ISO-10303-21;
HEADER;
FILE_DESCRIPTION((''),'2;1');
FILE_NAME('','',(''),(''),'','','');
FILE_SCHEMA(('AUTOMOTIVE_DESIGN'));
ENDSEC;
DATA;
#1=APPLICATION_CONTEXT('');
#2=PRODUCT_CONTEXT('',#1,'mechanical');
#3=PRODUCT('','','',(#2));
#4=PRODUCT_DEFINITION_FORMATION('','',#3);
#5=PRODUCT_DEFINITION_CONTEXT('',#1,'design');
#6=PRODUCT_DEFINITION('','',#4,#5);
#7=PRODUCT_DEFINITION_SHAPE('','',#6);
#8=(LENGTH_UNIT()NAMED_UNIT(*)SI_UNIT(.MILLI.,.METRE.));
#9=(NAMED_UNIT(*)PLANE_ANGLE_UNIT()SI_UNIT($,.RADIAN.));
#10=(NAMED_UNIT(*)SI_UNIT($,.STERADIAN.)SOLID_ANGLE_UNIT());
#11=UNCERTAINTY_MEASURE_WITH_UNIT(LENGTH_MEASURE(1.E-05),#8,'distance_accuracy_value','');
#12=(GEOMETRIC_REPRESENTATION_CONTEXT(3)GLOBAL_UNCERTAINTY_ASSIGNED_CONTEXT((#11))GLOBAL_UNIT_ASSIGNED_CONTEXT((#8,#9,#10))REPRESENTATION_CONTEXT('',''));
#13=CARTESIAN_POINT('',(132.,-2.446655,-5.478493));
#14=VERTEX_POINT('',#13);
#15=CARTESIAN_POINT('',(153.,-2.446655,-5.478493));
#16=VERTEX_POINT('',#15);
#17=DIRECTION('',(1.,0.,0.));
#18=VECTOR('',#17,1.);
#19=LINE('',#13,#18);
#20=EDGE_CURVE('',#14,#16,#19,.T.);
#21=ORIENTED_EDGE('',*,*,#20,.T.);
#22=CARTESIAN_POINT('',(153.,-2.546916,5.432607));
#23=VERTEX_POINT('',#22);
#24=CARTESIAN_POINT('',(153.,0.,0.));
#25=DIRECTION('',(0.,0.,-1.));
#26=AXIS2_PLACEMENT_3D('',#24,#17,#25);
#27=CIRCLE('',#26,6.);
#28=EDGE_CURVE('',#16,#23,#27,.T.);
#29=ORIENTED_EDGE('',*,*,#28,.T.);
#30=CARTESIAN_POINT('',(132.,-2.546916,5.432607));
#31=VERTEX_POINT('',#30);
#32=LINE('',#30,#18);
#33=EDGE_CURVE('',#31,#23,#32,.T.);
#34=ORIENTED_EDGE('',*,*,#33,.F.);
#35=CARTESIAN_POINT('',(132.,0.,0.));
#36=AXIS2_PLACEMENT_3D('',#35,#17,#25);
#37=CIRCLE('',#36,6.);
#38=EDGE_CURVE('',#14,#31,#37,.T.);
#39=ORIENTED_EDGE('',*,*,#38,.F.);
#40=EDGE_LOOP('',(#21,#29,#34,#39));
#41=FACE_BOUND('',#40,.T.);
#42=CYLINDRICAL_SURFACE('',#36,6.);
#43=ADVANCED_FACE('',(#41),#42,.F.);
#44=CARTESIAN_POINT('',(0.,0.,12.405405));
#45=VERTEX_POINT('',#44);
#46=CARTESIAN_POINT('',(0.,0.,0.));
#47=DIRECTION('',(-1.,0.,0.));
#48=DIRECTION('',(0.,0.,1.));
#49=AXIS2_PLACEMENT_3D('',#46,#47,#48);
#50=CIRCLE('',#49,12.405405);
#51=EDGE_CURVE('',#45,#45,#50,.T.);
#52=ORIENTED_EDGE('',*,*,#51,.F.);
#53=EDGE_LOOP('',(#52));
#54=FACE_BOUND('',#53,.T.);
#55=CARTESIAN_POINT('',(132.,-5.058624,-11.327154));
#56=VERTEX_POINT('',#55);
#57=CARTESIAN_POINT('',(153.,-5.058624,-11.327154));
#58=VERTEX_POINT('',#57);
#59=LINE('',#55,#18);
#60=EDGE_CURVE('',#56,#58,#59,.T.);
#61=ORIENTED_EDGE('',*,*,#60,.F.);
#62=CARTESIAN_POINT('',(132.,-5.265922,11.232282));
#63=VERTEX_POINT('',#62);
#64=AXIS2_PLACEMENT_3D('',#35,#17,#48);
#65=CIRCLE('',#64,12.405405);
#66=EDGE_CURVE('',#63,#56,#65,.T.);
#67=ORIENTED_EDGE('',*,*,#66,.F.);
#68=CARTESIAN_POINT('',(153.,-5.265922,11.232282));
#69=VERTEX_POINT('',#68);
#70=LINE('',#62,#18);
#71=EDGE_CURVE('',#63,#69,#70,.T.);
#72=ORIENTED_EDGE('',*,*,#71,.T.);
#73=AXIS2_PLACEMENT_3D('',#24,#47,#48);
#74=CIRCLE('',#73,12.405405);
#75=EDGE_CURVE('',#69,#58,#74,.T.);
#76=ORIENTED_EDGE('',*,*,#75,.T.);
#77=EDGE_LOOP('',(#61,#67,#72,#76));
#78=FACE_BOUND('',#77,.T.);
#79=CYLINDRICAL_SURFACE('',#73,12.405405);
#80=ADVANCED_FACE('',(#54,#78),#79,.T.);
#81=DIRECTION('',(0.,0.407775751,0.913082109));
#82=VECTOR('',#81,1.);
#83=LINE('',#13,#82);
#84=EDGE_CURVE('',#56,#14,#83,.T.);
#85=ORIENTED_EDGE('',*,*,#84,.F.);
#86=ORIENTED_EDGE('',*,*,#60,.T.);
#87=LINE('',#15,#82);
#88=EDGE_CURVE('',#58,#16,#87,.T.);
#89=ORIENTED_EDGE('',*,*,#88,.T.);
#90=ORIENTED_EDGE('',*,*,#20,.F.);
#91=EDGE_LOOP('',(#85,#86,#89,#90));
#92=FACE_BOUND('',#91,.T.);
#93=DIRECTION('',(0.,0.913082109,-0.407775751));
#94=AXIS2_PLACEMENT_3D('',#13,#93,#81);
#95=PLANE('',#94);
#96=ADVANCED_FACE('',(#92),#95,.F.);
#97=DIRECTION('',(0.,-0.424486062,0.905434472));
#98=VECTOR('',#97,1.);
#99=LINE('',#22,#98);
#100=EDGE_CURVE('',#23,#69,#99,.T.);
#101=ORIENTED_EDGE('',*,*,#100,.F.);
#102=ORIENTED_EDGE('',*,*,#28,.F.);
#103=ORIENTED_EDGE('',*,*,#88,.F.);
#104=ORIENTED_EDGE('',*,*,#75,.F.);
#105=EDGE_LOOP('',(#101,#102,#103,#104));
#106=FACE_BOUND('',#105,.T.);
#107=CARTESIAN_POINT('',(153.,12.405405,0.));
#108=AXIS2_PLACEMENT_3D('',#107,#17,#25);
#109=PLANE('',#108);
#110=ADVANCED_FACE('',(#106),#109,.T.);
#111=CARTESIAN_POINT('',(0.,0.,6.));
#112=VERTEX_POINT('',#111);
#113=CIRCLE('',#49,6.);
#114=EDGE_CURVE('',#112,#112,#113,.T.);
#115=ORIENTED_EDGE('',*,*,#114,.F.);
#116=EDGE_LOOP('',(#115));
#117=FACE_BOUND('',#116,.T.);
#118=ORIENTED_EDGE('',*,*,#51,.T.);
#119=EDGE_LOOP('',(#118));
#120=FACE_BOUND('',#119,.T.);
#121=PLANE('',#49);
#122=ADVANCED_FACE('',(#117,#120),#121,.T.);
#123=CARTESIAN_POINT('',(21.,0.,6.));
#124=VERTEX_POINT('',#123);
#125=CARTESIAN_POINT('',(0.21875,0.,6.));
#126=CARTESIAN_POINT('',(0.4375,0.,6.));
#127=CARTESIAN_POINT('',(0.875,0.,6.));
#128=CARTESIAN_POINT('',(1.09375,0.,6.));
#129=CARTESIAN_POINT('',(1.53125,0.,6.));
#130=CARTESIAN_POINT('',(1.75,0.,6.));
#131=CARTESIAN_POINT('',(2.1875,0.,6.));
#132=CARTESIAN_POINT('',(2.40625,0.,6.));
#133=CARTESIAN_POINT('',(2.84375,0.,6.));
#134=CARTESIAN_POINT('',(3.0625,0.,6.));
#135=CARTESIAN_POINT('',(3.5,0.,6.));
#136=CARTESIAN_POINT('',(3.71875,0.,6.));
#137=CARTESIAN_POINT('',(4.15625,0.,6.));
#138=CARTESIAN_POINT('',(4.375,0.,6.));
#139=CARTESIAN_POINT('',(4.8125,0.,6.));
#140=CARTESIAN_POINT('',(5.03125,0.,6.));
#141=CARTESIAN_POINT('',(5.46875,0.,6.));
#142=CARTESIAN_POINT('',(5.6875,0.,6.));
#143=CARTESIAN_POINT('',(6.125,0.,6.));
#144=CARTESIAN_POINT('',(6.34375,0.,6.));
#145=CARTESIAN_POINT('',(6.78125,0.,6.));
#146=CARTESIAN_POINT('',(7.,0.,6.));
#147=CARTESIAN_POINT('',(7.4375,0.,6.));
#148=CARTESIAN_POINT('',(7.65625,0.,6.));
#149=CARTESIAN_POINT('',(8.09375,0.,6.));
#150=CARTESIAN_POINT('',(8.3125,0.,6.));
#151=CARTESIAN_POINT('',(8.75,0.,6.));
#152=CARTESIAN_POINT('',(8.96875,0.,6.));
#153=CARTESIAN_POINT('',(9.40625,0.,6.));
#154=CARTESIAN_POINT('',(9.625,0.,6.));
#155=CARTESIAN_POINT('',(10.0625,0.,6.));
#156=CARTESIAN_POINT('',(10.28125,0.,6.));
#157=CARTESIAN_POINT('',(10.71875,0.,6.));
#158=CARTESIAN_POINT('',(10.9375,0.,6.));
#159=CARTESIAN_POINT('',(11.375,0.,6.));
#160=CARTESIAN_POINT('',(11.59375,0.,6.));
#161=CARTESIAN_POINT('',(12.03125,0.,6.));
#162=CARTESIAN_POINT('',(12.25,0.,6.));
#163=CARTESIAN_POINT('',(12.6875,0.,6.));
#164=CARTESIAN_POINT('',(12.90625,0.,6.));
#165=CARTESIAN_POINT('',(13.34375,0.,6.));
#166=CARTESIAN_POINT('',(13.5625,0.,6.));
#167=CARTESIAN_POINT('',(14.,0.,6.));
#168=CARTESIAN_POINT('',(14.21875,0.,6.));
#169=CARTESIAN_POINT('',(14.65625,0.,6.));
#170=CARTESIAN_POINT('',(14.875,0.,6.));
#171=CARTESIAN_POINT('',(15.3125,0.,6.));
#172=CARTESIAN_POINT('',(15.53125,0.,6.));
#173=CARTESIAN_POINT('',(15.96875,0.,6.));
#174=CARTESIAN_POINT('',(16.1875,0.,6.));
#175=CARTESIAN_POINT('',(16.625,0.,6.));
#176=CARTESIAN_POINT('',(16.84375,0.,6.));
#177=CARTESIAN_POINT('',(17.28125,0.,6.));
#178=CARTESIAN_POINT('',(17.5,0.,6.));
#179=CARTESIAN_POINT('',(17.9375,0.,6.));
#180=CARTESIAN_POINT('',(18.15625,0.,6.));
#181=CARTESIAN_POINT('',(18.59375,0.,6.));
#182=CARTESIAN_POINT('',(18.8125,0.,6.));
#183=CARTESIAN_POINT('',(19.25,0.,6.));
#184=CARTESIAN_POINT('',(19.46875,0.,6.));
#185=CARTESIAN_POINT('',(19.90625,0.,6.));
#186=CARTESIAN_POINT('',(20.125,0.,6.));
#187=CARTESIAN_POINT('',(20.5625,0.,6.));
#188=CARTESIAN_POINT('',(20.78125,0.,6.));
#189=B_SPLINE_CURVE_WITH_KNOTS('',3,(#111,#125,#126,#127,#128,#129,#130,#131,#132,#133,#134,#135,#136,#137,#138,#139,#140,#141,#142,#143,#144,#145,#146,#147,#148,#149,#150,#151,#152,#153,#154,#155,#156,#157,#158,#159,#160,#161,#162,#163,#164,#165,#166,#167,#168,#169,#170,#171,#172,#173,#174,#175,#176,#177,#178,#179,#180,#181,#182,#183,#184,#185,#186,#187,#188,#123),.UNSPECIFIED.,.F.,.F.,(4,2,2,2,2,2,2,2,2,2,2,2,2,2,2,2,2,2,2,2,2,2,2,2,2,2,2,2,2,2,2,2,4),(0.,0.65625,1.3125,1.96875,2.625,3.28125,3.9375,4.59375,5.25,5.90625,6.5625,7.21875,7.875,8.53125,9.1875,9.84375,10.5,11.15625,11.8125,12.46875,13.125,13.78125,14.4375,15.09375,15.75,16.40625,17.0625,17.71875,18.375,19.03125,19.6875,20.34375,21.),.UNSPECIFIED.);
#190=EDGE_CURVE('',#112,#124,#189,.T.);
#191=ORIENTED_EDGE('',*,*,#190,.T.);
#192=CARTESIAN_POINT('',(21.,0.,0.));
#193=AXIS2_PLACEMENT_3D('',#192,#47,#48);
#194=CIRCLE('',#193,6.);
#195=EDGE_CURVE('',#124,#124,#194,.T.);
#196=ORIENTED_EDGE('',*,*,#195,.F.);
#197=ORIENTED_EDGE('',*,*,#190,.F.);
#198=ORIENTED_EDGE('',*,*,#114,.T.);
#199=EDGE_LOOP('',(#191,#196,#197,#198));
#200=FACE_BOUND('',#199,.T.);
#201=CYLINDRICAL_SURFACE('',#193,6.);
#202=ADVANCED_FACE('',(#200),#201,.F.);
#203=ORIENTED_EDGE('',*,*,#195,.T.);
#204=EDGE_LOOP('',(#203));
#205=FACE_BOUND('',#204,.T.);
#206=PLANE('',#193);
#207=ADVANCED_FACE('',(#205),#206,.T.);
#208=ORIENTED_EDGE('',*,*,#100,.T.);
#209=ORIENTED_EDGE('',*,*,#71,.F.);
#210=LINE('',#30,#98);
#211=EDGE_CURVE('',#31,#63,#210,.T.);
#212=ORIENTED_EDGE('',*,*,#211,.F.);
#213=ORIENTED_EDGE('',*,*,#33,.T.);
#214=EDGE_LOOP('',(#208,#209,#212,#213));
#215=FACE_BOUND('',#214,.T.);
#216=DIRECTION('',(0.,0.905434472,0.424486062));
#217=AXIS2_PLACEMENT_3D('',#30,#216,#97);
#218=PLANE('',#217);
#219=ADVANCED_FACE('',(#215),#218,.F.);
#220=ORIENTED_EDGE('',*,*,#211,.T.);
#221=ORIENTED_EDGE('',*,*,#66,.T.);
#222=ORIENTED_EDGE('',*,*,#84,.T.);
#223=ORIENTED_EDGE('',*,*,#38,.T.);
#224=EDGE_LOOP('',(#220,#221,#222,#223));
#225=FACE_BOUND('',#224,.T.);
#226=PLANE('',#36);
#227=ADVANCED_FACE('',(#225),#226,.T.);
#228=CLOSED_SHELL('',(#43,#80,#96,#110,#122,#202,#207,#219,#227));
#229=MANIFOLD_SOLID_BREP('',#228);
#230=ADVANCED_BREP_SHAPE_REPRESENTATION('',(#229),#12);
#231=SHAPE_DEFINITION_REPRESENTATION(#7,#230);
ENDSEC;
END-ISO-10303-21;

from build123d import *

# Parameters (mm, degrees)
IZIM1_W               = 153
IZIM1_H               = 12.405405405
KES_EKSTR_ZYON1_DEPTH = 21
KES_EKSTR_ZYON2_START = -21
KES_EKSTR_ZYON2_DEPTH = 21


with BuildPart() as part:
    # Çizim1 → Döndür1 (revolve)
    with BuildSketch(Plane(origin=(0, 0, 0), x_dir=(-1, 0, 0), z_dir=(0, 0, -1)), mode=Mode.PRIVATE) as d_nd_r1_sk:
        with Locations((-76.5, 6.202702703)):
            Rectangle(IZIM1_W, IZIM1_H)
    revolve(d_nd_r1_sk.sketch.rotate(Axis((153, 0, 0), (-1, 0, 0)), 270), axis=Axis((153, 0, 0), (-1, 0, 0)))

    # Çizim2 → Kes-Ekstrüzyon1 (cut)
    with BuildSketch(Plane(origin=(153, 0, 0), x_dir=(0, 0, -1), z_dir=(1, 0, 0))):
        with BuildLine():
            Line((5.478492651, -2.446654506), (11.327153725, -5.058623505))
            ThreePointArc((11.327153725, -5.058623505), (0.113988201, -12.404881699), (-11.232281693, -5.26592169))
            Line((-11.232281693, -5.26592169), (-5.432606832, -2.546916373))
            ThreePointArc((-5.432606832, -2.546916373), (-0.055131548, 5.999746704), (5.478492651, -2.446654506))
        make_face()
    extrude(amount=-KES_EKSTR_ZYON1_DEPTH, mode=Mode.SUBTRACT)

    # Çizim3 → Kes-Ekstrüzyon2 (cut)
    with BuildSketch(Plane.ZY.offset(KES_EKSTR_ZYON2_START)):
        with BuildLine():
            ThreePointArc((2.25, -5.562148865), (0, 6), (-2.25, -5.562148865))
            ThreePointArc((-2.25, -5.562148865), (0, -6), (2.25, -5.562148865))
        make_face()
    extrude(amount=KES_EKSTR_ZYON2_DEPTH, mode=Mode.SUBTRACT)


solid = part.part
